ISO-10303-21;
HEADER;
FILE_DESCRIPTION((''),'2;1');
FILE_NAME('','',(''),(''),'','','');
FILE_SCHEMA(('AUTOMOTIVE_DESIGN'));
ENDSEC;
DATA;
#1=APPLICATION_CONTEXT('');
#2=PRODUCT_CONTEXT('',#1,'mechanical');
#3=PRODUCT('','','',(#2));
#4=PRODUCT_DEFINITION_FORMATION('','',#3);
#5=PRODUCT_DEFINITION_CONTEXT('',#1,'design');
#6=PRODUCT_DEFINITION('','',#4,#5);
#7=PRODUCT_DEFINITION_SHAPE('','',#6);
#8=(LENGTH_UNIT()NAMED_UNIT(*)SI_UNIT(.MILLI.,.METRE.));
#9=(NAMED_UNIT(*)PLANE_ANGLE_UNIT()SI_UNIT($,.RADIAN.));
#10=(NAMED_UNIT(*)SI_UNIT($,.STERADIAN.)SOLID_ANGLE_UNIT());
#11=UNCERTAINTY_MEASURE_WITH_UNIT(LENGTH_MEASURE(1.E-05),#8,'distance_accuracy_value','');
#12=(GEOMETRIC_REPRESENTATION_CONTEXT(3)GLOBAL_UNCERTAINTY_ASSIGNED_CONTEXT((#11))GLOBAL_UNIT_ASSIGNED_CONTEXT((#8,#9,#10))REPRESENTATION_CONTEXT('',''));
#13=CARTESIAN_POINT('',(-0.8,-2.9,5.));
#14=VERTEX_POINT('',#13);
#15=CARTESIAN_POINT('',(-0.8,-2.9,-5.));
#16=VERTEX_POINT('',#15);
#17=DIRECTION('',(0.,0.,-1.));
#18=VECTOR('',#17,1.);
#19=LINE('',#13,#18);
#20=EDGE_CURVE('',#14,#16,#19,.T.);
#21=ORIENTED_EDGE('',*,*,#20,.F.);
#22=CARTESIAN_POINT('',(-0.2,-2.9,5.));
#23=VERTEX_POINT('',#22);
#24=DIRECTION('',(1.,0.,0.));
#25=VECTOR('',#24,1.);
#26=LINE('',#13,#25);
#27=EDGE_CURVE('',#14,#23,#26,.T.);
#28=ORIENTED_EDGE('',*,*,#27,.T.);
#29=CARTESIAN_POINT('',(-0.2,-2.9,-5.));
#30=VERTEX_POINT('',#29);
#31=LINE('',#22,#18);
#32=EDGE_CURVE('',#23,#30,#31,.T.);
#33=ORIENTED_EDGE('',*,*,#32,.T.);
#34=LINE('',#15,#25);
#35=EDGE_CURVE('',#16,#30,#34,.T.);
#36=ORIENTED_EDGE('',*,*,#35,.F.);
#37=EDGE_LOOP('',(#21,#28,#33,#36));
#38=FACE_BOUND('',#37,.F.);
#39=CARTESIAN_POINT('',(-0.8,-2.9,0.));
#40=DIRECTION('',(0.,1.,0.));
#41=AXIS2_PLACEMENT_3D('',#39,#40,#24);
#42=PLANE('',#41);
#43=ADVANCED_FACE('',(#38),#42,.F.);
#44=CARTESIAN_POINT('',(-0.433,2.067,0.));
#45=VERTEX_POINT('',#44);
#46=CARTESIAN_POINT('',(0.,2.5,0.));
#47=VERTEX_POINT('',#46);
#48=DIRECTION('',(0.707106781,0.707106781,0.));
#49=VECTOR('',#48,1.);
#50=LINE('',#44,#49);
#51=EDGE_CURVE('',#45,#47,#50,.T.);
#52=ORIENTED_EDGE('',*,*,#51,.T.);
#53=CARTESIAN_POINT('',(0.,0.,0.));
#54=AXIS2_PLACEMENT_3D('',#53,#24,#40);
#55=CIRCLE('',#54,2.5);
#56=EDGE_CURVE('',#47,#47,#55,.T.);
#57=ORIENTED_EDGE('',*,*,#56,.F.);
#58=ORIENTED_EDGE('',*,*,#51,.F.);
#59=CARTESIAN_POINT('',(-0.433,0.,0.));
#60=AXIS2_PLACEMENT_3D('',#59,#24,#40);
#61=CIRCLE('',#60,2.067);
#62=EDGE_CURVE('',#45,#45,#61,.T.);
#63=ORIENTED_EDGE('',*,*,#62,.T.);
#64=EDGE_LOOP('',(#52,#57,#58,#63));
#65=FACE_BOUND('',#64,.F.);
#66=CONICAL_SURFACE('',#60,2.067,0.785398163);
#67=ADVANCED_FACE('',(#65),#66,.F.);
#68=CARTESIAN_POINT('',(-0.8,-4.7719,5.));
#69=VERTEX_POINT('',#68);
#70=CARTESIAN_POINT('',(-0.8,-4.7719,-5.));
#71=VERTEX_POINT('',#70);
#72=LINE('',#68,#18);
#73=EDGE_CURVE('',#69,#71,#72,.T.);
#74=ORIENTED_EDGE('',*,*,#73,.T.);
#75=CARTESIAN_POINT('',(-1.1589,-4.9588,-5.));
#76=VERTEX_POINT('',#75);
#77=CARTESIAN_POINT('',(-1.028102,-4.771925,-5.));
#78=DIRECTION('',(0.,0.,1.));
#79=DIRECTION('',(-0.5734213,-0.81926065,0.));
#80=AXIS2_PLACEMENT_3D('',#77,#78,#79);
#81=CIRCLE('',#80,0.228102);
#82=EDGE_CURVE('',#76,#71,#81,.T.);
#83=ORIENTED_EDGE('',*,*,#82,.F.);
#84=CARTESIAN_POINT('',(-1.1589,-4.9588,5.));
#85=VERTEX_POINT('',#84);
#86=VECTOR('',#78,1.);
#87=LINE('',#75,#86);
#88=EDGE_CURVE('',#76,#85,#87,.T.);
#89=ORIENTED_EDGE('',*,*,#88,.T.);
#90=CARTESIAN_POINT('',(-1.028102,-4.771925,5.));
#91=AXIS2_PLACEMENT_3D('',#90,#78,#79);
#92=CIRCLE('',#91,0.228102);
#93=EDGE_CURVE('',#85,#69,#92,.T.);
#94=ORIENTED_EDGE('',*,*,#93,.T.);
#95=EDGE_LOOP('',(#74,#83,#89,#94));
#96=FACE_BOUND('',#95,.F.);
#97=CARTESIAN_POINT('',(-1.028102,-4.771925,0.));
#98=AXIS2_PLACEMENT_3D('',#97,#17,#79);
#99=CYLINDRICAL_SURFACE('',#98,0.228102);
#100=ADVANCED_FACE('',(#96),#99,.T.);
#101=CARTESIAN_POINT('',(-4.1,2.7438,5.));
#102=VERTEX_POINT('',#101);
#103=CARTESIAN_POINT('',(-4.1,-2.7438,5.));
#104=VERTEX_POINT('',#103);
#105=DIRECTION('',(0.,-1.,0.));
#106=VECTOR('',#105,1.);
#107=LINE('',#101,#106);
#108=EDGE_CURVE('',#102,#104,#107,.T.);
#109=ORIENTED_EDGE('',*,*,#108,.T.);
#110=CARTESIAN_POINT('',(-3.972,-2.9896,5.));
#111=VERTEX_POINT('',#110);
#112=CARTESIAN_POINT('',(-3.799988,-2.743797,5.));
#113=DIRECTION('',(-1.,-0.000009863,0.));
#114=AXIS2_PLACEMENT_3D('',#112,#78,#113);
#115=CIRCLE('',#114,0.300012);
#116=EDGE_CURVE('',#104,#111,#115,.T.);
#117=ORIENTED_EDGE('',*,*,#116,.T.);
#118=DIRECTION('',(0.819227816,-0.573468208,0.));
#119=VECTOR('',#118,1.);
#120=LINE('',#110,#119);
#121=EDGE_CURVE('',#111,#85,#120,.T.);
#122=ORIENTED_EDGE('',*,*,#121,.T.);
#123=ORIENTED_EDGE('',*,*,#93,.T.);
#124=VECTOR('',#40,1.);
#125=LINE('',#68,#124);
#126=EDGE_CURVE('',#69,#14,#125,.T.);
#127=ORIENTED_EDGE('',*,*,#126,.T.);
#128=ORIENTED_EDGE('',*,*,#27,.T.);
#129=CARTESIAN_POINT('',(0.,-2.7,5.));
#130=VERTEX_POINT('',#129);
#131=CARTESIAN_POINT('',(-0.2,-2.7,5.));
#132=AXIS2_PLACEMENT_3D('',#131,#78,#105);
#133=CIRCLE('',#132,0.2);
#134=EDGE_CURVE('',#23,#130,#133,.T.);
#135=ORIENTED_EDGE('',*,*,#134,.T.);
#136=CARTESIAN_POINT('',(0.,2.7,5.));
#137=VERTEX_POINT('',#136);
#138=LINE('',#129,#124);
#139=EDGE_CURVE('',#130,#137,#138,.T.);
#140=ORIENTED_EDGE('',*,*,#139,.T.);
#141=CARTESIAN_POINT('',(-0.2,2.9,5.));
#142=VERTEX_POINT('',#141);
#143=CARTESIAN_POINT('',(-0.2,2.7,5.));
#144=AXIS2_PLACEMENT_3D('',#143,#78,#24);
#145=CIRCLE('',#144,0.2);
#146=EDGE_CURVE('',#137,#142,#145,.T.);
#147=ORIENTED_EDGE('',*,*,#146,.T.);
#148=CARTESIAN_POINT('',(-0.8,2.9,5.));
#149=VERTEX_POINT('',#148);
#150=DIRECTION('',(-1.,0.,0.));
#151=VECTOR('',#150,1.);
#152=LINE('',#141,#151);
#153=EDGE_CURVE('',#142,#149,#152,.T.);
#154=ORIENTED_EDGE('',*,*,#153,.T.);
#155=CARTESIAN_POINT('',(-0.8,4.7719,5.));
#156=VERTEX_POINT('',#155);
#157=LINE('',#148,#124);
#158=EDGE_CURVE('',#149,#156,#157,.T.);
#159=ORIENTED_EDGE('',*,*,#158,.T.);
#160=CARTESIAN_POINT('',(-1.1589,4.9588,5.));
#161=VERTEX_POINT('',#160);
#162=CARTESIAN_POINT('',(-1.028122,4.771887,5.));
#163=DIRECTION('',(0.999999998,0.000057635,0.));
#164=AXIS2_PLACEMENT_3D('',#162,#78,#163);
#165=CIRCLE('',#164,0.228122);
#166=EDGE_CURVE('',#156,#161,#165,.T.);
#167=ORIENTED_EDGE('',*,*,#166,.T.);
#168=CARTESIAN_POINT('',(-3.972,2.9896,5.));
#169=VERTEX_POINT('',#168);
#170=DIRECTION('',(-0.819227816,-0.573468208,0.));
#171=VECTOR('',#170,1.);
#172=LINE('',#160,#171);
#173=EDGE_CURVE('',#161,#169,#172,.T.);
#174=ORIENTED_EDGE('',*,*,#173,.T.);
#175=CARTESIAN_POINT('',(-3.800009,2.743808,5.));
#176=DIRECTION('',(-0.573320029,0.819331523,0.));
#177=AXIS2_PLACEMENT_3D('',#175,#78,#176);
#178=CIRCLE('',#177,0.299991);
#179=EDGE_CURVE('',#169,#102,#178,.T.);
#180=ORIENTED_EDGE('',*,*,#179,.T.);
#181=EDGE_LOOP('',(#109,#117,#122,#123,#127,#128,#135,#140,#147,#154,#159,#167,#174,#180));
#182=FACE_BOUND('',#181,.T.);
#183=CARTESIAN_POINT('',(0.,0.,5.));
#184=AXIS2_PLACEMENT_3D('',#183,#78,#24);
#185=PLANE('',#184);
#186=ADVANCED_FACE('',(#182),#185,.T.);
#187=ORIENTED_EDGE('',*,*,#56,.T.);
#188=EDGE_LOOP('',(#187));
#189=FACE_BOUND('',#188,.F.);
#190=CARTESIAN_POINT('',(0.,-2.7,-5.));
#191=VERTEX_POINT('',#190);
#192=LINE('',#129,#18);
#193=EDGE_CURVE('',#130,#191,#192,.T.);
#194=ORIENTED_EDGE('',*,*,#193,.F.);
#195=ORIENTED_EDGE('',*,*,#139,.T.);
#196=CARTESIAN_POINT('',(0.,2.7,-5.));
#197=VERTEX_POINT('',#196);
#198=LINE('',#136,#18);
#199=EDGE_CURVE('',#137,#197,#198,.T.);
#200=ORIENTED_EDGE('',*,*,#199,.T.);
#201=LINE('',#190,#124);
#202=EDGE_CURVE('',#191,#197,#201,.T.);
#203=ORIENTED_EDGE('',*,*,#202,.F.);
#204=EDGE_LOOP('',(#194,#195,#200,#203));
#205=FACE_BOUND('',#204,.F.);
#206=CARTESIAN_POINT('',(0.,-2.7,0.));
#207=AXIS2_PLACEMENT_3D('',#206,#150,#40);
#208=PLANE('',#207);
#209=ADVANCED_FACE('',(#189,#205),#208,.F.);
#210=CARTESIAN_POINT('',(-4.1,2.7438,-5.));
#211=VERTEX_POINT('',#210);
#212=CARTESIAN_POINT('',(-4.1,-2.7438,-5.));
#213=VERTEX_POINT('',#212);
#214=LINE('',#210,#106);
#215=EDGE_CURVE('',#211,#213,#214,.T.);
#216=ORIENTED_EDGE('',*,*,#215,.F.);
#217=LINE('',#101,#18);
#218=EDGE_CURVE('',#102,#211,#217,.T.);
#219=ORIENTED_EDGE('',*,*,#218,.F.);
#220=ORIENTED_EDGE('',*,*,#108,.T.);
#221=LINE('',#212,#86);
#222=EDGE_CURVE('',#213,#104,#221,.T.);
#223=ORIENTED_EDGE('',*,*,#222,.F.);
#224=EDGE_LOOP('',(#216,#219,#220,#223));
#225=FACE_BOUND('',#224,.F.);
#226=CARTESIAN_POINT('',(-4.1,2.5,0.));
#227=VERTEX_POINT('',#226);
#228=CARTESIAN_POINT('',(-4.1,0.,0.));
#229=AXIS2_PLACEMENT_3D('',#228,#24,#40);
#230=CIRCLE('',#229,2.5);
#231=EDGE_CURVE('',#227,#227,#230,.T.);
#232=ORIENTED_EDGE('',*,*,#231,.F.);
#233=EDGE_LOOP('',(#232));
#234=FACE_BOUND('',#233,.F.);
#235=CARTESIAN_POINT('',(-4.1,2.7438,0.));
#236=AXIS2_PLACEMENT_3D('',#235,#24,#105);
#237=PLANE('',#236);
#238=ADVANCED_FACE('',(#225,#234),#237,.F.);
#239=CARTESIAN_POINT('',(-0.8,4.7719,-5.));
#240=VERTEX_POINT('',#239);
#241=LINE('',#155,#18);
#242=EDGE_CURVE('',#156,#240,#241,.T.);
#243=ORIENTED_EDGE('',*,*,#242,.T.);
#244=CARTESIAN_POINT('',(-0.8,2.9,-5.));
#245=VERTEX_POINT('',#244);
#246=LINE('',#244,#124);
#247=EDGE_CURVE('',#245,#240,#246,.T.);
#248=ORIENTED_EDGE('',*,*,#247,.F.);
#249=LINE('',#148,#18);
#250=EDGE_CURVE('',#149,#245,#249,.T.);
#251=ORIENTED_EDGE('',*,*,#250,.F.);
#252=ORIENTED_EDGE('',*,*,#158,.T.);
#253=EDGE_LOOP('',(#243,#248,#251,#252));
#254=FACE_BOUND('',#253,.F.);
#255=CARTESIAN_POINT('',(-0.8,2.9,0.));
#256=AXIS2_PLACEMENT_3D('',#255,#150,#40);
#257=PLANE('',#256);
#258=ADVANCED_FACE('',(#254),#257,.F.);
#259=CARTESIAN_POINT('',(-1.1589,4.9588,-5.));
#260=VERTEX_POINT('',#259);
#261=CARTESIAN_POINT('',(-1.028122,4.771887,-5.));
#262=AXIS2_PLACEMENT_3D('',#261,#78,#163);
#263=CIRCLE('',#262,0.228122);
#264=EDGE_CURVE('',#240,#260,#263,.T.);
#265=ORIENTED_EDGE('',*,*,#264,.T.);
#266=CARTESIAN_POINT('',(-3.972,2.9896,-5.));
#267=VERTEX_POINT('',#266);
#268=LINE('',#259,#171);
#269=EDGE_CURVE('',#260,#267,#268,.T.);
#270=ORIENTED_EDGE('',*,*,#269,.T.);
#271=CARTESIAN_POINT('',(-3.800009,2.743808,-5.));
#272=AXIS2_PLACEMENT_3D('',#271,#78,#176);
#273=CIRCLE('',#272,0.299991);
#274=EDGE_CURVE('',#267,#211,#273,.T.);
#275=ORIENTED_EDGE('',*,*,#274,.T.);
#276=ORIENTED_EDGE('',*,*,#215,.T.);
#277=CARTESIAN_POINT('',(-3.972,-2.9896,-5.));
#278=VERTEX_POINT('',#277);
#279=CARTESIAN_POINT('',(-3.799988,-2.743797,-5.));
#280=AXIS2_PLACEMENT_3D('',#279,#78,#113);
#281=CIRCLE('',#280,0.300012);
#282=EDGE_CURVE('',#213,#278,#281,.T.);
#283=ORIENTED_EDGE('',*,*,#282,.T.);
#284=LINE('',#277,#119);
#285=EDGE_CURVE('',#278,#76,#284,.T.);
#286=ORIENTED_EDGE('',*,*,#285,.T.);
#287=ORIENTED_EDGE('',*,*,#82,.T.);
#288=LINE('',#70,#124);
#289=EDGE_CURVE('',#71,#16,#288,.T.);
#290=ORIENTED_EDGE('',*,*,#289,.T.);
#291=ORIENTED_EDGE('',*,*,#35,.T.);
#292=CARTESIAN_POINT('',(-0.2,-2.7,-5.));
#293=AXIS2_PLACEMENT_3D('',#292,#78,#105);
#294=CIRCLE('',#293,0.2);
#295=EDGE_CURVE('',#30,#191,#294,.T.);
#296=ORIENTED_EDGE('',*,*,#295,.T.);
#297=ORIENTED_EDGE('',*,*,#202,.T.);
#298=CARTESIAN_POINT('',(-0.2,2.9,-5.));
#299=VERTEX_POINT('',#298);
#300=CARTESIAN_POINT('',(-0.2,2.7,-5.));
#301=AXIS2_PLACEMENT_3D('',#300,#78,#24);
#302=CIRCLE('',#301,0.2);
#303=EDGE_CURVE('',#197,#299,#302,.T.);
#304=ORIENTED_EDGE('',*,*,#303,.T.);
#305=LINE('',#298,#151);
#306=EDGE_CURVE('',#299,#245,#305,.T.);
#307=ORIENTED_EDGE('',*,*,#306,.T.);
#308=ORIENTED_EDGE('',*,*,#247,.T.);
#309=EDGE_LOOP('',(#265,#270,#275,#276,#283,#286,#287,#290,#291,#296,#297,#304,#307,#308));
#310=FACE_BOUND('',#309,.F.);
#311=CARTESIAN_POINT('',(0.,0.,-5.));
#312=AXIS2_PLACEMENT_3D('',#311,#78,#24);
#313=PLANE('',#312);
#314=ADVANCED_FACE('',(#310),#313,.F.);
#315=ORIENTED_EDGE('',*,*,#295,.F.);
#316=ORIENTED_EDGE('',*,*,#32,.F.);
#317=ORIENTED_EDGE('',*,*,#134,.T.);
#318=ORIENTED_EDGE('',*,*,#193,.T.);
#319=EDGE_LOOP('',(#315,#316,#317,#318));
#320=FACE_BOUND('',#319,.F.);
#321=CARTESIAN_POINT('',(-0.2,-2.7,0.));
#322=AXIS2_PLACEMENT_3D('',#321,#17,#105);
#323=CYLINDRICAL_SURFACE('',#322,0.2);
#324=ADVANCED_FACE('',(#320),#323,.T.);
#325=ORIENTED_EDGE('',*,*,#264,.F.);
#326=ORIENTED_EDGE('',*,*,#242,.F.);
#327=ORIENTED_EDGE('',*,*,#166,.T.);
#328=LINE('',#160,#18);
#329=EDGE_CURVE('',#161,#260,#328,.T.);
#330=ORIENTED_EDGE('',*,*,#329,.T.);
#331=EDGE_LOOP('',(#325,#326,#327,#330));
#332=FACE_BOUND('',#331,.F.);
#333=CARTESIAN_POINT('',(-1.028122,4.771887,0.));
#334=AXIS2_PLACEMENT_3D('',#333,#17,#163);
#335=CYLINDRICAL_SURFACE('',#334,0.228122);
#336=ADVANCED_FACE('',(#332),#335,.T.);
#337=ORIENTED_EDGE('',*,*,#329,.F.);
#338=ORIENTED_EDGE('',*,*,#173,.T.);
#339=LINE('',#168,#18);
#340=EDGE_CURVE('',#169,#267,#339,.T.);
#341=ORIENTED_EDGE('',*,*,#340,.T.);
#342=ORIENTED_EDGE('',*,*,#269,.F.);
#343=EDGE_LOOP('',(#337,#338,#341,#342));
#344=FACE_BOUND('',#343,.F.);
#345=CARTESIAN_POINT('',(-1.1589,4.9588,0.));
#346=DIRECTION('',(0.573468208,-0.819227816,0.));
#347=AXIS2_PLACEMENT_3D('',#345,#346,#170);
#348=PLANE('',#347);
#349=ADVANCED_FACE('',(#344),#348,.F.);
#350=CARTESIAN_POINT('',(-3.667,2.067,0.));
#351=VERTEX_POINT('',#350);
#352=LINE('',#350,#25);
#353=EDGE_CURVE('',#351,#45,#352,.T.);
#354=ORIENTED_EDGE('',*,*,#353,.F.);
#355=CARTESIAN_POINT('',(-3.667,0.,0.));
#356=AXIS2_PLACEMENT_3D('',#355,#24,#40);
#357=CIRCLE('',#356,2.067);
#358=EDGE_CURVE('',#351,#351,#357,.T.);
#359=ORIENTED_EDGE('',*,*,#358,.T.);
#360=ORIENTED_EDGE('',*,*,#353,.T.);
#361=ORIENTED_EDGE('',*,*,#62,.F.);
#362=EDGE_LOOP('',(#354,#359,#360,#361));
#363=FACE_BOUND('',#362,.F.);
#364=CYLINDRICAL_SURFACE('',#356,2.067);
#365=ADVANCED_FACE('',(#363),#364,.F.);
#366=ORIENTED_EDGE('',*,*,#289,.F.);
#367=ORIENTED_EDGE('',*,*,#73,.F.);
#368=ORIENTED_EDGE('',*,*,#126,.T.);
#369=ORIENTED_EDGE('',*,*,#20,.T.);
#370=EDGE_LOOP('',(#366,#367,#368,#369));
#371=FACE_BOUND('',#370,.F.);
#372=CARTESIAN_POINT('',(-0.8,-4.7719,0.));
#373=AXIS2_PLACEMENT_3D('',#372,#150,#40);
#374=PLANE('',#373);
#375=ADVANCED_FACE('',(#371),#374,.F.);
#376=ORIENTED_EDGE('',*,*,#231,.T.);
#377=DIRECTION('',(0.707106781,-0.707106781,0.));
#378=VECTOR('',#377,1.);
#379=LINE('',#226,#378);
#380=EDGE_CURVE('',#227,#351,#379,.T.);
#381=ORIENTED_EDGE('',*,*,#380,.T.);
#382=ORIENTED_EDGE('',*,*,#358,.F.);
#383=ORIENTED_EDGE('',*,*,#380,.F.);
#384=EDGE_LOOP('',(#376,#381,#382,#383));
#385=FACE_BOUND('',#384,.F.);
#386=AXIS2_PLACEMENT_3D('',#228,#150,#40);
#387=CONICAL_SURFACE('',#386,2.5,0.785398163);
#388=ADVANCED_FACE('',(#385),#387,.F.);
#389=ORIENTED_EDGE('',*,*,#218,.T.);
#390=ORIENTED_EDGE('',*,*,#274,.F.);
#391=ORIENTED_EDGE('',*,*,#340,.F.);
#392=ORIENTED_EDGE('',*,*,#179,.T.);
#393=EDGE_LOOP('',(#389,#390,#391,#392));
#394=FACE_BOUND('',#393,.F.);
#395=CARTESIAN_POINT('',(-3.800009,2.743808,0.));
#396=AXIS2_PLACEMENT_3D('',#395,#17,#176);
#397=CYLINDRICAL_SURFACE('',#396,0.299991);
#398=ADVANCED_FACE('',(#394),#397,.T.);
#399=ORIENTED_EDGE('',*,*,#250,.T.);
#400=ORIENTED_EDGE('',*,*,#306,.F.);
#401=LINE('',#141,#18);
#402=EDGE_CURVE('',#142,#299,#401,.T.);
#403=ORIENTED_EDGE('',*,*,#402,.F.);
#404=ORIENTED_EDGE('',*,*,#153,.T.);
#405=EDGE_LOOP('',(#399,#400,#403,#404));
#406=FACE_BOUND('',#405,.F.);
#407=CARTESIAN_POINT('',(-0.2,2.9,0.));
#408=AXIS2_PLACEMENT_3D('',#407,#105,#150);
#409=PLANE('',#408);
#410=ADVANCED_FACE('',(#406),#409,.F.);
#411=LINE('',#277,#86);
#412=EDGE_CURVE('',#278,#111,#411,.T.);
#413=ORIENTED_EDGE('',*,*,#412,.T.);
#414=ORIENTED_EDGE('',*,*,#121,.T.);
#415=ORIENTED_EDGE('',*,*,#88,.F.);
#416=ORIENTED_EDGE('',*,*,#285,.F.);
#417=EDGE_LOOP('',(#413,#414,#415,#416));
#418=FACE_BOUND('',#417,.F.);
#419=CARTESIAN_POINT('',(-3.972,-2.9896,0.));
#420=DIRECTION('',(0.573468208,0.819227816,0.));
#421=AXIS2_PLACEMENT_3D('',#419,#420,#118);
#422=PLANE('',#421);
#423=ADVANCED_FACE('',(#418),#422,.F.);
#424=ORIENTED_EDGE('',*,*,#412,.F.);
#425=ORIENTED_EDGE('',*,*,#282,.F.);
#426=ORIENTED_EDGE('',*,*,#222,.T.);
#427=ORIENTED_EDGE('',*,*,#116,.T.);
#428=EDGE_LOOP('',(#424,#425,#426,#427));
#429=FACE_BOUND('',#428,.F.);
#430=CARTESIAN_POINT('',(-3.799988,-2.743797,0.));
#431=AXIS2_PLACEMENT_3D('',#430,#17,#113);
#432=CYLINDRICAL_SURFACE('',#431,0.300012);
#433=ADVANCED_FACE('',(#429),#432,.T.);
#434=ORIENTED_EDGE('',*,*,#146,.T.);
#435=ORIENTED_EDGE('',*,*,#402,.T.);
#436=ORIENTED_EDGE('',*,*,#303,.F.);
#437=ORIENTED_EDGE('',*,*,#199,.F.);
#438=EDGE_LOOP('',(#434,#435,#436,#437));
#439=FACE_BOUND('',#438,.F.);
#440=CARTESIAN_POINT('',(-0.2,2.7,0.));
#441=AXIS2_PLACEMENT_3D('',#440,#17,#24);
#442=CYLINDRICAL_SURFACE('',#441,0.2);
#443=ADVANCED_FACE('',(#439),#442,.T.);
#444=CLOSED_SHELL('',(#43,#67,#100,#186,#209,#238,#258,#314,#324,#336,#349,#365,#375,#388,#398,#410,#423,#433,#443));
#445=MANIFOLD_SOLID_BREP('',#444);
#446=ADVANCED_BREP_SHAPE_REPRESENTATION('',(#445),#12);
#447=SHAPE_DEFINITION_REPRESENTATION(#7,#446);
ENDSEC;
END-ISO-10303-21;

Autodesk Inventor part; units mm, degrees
sketch "Sketch_2" plane through (0, 0, 0) normal (0, 0, 1) x (1, 0, 0)
  arc A0 (-4.1, -2.7438) -> (-3.972, -2.9896) centre (-3.8, -2.7438) ccw
  line L0 (-3.972, -2.9896) -> (-1.1589, -4.9588)
  arc A1 (-1.1589, -4.9588) -> (-0.8, -4.7719) centre (-1.0281, -4.7719) ccw
  line L1 (-0.8, -4.7719) -> (-0.8, -2.9)
  line L2 (-0.8, -2.9) -> (-0.2, -2.9)
  arc A2 (-0.2, -2.9) -> (0, -2.7) centre (-0.2, -2.7) ccw
  line L3 (0, -2.7) -> (0, 2.7)
  arc A3 (0, 2.7) -> (-0.2, 2.9) centre (-0.2, 2.7) ccw
  line L4 (-0.2, 2.9) -> (-0.8, 2.9)
  line L5 (-0.8, 2.9) -> (-0.8, 4.7719)
  arc A4 (-0.8, 4.7719) -> (-1.1589, 4.9588) centre (-1.0281, 4.7719) ccw
  line L6 (-1.1589, 4.9588) -> (-3.972, 2.9896)
  arc A5 (-3.972, 2.9896) -> (-4.1, 2.7438) centre (-3.8, 2.7438) ccw
  line L7 (-4.1, 2.7438) -> (-4.1, -2.7438)
extrude "Extrusion1" add sketch "Sketch_2" along normal mid plane 10
sketch "Sketch_5" plane through (0, 0, 0) normal (0, 0, 1) x (1, 0, 0)
  line L0 (0, 0) -> (-4.1, 0)
  line L1 (-4.1, 0) -> (-4.1, 2.5)
  line L2 (-4.1, 2.5) -> (-3.667, 2.067)
  line L3 (-3.667, 2.067) -> (-0.433, 2.067)
  line L4 (-0.433, 2.067) -> (0, 2.5)
  line L5 (0, 2.5) -> (0, 0)
  line L6 (0, 0) -> (-4.1, 0)
revolve "Revolution1" cut sketch "Sketch_5" angle 360 about axis through (0, 0, 0) along (1, 0, 0)
thread "Thread1" size "M5x0.8" class "6H" standard "ISO Metric profile" full length
ref_plane "nut_XY" through (0, 0, 0) normal (1, 0, 0) x (0, 0, -1)
ref_plane "nut_YZ" through (0, 0, 0) normal (0, 0, -1) x (0, 1, 0)
ref_plane "nut_ZX" through (0, 0, 0) normal (0, 1, 0) x (1, 0, 0)
ref_plane "to_bolt_XY" through (-4.1, 0, 0) normal (1, 0, 0) x (0, 0, -1)
ref_plane "to_bolt_YZ" through (-4.1, 0, 0) normal (0, 0, -1) x (0, 1, 0)
ref_plane "to_bolt_ZX" through (-4.1, 0, 0) normal (0, 1, 0) x (1, 0, 0)
ref_plane "to_frames_XY" through (-0.8, 0, 0) normal (1, 0, 0) x (0, 0, -1)
ref_plane "to_frames_YZ" through (-0.8, 0, 0) normal (0, 0, -1) x (0, 1, 0)
ref_plane "to_frames_ZX" through (-0.8, 0, 0) normal (0, 1, 0) x (1, 0, 0)
ref_plane "to_lane_XY" through (0, 0, 0) normal (0, 0, 1) x (1, 0, 0)
ref_plane "to_lane_YZ" through (0, 0, 0) normal (1, 0, 0) x (0, 1, 0)
ref_plane "to_lane_ZX" through (0, 0, 0) normal (0, 1, 0) x (0, 0, 1)
properties part number "HNTT5-5"
